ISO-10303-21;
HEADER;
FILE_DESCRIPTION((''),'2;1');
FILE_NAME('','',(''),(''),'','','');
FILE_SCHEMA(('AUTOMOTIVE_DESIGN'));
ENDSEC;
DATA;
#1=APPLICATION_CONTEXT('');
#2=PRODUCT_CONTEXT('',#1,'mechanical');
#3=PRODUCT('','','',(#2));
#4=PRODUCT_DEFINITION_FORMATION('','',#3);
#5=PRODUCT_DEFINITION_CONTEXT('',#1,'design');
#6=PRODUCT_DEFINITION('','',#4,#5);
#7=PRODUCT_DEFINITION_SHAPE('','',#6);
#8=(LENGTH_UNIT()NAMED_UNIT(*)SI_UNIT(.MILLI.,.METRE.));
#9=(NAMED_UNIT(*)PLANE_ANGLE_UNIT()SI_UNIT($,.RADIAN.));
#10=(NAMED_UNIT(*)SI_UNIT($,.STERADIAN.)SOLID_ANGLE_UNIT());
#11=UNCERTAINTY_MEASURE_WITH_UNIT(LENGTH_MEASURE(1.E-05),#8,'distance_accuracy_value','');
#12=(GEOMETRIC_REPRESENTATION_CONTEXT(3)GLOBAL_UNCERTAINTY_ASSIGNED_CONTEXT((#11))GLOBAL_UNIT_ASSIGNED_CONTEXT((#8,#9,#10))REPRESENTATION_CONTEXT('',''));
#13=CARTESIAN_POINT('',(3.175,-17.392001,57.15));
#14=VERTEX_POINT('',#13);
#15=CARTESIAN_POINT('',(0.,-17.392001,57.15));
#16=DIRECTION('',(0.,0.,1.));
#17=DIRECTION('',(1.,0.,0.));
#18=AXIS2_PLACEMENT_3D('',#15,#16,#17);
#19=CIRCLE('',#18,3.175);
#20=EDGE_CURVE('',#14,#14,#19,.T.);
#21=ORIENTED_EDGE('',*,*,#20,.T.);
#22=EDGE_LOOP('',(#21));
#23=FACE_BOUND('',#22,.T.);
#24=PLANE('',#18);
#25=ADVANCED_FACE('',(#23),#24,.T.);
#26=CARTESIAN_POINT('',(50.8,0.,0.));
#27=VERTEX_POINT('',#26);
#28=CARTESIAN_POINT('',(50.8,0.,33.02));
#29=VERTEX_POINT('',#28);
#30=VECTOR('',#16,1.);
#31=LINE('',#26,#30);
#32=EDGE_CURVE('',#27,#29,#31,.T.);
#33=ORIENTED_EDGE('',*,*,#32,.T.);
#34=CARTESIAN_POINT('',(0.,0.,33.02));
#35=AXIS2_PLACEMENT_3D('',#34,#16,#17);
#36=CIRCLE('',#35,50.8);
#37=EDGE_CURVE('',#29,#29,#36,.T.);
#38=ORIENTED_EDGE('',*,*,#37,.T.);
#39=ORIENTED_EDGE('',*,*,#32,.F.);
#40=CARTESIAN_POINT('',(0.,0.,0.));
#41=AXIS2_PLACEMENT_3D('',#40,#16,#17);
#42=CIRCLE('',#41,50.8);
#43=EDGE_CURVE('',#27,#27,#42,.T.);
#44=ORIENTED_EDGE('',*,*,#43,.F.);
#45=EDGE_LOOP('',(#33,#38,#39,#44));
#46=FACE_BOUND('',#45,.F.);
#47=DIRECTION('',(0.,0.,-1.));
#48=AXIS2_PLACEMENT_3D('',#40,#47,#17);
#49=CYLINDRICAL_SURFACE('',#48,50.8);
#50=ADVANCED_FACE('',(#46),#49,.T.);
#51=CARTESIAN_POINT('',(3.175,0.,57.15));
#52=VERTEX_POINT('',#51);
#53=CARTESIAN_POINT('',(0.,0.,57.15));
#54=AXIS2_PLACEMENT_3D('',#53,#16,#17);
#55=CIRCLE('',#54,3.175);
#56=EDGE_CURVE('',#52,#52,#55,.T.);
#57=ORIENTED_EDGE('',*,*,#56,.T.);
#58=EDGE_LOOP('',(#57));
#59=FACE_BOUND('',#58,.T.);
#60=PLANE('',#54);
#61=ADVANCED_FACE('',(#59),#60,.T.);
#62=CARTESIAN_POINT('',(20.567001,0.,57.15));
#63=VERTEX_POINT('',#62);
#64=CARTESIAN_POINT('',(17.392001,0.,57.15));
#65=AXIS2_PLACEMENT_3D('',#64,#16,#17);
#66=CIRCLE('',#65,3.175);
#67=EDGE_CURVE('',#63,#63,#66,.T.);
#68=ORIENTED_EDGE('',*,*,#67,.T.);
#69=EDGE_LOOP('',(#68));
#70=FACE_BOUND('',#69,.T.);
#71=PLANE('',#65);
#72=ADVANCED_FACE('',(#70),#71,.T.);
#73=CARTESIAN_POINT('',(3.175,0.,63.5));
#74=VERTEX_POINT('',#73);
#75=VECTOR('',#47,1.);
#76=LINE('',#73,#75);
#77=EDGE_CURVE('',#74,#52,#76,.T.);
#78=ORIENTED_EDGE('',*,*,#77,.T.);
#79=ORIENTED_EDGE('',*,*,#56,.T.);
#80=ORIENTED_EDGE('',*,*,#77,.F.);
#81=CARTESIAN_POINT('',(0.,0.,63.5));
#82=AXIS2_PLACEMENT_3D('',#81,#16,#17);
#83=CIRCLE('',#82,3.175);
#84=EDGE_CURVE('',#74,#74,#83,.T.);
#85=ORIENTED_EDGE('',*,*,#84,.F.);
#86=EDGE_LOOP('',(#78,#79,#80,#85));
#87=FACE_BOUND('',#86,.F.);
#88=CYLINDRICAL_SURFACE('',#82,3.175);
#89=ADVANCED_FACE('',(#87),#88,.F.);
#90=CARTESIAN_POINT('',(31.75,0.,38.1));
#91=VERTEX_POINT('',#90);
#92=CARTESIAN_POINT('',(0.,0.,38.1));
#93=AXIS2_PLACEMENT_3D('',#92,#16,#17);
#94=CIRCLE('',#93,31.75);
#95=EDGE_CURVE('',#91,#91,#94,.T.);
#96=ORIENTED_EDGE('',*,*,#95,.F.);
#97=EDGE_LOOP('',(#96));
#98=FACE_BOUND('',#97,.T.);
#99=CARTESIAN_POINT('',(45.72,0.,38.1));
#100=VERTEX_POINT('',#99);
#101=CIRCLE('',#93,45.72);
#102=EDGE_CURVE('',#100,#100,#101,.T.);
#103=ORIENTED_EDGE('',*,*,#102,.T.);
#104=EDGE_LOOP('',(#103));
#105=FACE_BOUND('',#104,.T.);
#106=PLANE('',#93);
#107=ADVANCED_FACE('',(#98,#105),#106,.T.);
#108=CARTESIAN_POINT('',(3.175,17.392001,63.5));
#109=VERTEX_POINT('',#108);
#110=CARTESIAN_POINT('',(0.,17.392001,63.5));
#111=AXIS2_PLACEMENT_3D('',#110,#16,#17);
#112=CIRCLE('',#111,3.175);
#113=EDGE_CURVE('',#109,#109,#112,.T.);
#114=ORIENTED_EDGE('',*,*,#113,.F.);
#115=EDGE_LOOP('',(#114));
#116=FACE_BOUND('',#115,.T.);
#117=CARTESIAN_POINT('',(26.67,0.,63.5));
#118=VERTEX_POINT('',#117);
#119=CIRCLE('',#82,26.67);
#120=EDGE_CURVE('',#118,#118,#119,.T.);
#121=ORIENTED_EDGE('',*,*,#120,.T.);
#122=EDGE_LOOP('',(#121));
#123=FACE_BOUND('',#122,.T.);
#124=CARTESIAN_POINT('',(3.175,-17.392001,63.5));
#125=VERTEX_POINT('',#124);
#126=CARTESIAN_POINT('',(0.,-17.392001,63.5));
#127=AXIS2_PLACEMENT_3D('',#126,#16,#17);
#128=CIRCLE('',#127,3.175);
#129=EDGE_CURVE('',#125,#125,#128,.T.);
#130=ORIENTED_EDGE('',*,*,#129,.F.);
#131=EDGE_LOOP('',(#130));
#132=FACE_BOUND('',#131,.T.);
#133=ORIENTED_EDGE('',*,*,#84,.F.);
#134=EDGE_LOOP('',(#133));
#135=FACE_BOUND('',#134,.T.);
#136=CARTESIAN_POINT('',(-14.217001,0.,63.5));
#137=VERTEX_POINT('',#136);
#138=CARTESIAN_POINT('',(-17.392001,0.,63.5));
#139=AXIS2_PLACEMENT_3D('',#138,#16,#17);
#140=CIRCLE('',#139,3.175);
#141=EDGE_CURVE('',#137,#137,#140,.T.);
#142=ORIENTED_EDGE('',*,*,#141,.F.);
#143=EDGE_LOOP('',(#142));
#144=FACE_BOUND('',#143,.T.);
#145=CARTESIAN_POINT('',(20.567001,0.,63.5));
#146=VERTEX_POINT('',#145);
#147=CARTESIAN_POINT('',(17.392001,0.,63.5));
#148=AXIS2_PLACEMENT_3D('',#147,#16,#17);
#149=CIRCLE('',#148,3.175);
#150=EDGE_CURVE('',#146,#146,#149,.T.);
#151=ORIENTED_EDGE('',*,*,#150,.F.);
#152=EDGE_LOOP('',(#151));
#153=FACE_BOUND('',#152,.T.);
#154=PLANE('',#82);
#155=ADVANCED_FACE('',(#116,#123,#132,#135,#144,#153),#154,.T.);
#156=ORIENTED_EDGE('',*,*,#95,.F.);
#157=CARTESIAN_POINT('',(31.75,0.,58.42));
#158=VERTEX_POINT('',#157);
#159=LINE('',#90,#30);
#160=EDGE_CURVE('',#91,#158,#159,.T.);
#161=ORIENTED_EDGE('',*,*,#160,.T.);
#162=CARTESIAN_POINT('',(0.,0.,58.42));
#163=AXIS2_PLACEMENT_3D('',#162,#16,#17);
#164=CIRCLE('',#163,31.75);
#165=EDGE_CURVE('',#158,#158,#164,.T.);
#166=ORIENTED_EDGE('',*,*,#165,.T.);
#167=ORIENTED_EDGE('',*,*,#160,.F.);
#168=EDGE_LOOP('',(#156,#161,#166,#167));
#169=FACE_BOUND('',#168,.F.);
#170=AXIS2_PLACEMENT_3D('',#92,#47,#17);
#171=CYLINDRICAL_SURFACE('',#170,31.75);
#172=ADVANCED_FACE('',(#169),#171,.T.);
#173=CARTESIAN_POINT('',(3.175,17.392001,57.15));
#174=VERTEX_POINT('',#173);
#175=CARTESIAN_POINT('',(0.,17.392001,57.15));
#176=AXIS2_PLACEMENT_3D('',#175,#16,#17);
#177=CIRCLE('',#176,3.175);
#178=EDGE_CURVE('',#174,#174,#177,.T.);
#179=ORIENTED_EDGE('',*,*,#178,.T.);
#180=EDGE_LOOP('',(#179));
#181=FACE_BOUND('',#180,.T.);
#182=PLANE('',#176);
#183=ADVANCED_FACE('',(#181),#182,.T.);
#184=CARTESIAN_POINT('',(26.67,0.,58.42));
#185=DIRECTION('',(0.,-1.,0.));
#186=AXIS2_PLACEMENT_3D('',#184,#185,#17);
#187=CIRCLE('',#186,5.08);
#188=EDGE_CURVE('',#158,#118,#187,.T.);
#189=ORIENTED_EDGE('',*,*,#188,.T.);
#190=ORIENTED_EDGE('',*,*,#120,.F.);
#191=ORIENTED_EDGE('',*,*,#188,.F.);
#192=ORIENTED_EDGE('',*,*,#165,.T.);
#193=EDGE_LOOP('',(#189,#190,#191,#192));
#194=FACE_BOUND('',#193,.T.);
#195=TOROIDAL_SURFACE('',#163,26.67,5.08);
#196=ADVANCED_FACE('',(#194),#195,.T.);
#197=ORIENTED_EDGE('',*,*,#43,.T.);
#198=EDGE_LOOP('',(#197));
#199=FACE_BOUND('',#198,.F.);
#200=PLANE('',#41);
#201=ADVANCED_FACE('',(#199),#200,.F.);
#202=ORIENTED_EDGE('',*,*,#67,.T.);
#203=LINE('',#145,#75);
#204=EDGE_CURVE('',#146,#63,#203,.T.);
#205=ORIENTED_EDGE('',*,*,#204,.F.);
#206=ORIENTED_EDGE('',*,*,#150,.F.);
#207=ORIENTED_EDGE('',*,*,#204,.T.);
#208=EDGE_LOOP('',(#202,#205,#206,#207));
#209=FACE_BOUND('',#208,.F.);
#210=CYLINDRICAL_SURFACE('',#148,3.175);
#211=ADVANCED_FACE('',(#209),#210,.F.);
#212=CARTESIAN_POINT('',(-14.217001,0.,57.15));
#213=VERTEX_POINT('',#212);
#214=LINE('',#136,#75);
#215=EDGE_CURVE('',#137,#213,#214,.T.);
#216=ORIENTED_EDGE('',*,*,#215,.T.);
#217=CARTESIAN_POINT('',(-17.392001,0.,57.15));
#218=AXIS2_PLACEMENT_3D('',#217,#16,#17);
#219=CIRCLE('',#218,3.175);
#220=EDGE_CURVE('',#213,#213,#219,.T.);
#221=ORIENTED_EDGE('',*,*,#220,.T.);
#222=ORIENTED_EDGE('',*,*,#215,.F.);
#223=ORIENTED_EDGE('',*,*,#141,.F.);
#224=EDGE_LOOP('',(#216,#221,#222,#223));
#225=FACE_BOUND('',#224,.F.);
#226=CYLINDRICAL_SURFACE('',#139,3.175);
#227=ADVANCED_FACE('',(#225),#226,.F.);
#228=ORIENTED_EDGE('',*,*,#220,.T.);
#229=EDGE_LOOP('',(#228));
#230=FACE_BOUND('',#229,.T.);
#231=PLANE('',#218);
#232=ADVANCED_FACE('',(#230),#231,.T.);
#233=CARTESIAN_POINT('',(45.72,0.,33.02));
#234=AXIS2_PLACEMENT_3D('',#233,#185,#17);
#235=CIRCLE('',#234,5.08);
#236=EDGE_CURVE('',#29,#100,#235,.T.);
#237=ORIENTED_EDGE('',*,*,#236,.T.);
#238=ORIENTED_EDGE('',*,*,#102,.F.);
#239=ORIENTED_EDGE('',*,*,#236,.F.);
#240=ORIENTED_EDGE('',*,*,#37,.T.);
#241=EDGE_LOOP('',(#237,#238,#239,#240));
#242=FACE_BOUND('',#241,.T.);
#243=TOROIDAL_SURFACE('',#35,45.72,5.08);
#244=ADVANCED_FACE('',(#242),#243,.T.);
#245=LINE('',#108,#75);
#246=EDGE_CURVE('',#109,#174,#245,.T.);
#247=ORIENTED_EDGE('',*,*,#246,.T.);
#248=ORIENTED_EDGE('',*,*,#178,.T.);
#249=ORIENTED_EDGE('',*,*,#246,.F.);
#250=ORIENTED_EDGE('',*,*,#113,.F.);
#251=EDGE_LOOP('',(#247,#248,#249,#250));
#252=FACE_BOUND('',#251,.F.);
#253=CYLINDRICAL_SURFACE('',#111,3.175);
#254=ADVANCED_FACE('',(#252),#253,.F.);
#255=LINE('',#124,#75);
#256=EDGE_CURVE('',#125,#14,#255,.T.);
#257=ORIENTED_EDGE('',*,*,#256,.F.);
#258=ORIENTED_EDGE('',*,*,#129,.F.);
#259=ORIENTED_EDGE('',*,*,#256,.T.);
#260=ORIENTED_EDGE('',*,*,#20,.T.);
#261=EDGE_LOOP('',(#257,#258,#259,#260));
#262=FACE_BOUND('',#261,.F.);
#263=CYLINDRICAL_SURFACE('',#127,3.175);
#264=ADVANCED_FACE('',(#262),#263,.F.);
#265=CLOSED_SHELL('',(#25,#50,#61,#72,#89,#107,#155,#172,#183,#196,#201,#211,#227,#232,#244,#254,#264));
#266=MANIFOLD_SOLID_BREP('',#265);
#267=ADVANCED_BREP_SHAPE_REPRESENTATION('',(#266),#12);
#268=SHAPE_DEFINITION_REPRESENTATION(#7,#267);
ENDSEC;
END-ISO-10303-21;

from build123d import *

# Parameters (mm, degrees)
F0_R     = 50.8
F1_DEPTH = 38.1
F2_R     = 31.75
F3_DEPTH = 25.4
F4_R     = 3.175
F5_DEPTH = 6.35
F6_R     = 5.08


with BuildPart() as f1:
    # F0 (on Top) → F1 (new body)
    with BuildSketch(Plane.XY):
        Circle(F0_R)
    extrude(amount=F1_DEPTH)

    # F2 (on face) → F3 (join)
    with BuildSketch(Plane.XY.offset(38.1)):
        Circle(F2_R)
    extrude(amount=F3_DEPTH)

    # F4 (on face) → F5 (cut)
    with BuildSketch(Plane.XY.offset(63.5)):
        with Locations((-17.392001, 0)):
            Circle(F4_R)
        with Locations((0, -17.392001)):
            Circle(F4_R)
        with Locations((17.392001, 0)):
            Circle(F4_R)
        with Locations((0, 17.392001)):
            Circle(F4_R)
        Circle(F4_R)
    extrude(amount=-F5_DEPTH, mode=Mode.SUBTRACT)

    # F6
    f6_edges = [f1.edges().sort_by_distance(p)[0] for p in [
        (-31.75, 0, 63.5),
        (-50.8, 0, 38.1),
    ]]
    fillet(f6_edges, radius=F6_R)


solid = f1.part
